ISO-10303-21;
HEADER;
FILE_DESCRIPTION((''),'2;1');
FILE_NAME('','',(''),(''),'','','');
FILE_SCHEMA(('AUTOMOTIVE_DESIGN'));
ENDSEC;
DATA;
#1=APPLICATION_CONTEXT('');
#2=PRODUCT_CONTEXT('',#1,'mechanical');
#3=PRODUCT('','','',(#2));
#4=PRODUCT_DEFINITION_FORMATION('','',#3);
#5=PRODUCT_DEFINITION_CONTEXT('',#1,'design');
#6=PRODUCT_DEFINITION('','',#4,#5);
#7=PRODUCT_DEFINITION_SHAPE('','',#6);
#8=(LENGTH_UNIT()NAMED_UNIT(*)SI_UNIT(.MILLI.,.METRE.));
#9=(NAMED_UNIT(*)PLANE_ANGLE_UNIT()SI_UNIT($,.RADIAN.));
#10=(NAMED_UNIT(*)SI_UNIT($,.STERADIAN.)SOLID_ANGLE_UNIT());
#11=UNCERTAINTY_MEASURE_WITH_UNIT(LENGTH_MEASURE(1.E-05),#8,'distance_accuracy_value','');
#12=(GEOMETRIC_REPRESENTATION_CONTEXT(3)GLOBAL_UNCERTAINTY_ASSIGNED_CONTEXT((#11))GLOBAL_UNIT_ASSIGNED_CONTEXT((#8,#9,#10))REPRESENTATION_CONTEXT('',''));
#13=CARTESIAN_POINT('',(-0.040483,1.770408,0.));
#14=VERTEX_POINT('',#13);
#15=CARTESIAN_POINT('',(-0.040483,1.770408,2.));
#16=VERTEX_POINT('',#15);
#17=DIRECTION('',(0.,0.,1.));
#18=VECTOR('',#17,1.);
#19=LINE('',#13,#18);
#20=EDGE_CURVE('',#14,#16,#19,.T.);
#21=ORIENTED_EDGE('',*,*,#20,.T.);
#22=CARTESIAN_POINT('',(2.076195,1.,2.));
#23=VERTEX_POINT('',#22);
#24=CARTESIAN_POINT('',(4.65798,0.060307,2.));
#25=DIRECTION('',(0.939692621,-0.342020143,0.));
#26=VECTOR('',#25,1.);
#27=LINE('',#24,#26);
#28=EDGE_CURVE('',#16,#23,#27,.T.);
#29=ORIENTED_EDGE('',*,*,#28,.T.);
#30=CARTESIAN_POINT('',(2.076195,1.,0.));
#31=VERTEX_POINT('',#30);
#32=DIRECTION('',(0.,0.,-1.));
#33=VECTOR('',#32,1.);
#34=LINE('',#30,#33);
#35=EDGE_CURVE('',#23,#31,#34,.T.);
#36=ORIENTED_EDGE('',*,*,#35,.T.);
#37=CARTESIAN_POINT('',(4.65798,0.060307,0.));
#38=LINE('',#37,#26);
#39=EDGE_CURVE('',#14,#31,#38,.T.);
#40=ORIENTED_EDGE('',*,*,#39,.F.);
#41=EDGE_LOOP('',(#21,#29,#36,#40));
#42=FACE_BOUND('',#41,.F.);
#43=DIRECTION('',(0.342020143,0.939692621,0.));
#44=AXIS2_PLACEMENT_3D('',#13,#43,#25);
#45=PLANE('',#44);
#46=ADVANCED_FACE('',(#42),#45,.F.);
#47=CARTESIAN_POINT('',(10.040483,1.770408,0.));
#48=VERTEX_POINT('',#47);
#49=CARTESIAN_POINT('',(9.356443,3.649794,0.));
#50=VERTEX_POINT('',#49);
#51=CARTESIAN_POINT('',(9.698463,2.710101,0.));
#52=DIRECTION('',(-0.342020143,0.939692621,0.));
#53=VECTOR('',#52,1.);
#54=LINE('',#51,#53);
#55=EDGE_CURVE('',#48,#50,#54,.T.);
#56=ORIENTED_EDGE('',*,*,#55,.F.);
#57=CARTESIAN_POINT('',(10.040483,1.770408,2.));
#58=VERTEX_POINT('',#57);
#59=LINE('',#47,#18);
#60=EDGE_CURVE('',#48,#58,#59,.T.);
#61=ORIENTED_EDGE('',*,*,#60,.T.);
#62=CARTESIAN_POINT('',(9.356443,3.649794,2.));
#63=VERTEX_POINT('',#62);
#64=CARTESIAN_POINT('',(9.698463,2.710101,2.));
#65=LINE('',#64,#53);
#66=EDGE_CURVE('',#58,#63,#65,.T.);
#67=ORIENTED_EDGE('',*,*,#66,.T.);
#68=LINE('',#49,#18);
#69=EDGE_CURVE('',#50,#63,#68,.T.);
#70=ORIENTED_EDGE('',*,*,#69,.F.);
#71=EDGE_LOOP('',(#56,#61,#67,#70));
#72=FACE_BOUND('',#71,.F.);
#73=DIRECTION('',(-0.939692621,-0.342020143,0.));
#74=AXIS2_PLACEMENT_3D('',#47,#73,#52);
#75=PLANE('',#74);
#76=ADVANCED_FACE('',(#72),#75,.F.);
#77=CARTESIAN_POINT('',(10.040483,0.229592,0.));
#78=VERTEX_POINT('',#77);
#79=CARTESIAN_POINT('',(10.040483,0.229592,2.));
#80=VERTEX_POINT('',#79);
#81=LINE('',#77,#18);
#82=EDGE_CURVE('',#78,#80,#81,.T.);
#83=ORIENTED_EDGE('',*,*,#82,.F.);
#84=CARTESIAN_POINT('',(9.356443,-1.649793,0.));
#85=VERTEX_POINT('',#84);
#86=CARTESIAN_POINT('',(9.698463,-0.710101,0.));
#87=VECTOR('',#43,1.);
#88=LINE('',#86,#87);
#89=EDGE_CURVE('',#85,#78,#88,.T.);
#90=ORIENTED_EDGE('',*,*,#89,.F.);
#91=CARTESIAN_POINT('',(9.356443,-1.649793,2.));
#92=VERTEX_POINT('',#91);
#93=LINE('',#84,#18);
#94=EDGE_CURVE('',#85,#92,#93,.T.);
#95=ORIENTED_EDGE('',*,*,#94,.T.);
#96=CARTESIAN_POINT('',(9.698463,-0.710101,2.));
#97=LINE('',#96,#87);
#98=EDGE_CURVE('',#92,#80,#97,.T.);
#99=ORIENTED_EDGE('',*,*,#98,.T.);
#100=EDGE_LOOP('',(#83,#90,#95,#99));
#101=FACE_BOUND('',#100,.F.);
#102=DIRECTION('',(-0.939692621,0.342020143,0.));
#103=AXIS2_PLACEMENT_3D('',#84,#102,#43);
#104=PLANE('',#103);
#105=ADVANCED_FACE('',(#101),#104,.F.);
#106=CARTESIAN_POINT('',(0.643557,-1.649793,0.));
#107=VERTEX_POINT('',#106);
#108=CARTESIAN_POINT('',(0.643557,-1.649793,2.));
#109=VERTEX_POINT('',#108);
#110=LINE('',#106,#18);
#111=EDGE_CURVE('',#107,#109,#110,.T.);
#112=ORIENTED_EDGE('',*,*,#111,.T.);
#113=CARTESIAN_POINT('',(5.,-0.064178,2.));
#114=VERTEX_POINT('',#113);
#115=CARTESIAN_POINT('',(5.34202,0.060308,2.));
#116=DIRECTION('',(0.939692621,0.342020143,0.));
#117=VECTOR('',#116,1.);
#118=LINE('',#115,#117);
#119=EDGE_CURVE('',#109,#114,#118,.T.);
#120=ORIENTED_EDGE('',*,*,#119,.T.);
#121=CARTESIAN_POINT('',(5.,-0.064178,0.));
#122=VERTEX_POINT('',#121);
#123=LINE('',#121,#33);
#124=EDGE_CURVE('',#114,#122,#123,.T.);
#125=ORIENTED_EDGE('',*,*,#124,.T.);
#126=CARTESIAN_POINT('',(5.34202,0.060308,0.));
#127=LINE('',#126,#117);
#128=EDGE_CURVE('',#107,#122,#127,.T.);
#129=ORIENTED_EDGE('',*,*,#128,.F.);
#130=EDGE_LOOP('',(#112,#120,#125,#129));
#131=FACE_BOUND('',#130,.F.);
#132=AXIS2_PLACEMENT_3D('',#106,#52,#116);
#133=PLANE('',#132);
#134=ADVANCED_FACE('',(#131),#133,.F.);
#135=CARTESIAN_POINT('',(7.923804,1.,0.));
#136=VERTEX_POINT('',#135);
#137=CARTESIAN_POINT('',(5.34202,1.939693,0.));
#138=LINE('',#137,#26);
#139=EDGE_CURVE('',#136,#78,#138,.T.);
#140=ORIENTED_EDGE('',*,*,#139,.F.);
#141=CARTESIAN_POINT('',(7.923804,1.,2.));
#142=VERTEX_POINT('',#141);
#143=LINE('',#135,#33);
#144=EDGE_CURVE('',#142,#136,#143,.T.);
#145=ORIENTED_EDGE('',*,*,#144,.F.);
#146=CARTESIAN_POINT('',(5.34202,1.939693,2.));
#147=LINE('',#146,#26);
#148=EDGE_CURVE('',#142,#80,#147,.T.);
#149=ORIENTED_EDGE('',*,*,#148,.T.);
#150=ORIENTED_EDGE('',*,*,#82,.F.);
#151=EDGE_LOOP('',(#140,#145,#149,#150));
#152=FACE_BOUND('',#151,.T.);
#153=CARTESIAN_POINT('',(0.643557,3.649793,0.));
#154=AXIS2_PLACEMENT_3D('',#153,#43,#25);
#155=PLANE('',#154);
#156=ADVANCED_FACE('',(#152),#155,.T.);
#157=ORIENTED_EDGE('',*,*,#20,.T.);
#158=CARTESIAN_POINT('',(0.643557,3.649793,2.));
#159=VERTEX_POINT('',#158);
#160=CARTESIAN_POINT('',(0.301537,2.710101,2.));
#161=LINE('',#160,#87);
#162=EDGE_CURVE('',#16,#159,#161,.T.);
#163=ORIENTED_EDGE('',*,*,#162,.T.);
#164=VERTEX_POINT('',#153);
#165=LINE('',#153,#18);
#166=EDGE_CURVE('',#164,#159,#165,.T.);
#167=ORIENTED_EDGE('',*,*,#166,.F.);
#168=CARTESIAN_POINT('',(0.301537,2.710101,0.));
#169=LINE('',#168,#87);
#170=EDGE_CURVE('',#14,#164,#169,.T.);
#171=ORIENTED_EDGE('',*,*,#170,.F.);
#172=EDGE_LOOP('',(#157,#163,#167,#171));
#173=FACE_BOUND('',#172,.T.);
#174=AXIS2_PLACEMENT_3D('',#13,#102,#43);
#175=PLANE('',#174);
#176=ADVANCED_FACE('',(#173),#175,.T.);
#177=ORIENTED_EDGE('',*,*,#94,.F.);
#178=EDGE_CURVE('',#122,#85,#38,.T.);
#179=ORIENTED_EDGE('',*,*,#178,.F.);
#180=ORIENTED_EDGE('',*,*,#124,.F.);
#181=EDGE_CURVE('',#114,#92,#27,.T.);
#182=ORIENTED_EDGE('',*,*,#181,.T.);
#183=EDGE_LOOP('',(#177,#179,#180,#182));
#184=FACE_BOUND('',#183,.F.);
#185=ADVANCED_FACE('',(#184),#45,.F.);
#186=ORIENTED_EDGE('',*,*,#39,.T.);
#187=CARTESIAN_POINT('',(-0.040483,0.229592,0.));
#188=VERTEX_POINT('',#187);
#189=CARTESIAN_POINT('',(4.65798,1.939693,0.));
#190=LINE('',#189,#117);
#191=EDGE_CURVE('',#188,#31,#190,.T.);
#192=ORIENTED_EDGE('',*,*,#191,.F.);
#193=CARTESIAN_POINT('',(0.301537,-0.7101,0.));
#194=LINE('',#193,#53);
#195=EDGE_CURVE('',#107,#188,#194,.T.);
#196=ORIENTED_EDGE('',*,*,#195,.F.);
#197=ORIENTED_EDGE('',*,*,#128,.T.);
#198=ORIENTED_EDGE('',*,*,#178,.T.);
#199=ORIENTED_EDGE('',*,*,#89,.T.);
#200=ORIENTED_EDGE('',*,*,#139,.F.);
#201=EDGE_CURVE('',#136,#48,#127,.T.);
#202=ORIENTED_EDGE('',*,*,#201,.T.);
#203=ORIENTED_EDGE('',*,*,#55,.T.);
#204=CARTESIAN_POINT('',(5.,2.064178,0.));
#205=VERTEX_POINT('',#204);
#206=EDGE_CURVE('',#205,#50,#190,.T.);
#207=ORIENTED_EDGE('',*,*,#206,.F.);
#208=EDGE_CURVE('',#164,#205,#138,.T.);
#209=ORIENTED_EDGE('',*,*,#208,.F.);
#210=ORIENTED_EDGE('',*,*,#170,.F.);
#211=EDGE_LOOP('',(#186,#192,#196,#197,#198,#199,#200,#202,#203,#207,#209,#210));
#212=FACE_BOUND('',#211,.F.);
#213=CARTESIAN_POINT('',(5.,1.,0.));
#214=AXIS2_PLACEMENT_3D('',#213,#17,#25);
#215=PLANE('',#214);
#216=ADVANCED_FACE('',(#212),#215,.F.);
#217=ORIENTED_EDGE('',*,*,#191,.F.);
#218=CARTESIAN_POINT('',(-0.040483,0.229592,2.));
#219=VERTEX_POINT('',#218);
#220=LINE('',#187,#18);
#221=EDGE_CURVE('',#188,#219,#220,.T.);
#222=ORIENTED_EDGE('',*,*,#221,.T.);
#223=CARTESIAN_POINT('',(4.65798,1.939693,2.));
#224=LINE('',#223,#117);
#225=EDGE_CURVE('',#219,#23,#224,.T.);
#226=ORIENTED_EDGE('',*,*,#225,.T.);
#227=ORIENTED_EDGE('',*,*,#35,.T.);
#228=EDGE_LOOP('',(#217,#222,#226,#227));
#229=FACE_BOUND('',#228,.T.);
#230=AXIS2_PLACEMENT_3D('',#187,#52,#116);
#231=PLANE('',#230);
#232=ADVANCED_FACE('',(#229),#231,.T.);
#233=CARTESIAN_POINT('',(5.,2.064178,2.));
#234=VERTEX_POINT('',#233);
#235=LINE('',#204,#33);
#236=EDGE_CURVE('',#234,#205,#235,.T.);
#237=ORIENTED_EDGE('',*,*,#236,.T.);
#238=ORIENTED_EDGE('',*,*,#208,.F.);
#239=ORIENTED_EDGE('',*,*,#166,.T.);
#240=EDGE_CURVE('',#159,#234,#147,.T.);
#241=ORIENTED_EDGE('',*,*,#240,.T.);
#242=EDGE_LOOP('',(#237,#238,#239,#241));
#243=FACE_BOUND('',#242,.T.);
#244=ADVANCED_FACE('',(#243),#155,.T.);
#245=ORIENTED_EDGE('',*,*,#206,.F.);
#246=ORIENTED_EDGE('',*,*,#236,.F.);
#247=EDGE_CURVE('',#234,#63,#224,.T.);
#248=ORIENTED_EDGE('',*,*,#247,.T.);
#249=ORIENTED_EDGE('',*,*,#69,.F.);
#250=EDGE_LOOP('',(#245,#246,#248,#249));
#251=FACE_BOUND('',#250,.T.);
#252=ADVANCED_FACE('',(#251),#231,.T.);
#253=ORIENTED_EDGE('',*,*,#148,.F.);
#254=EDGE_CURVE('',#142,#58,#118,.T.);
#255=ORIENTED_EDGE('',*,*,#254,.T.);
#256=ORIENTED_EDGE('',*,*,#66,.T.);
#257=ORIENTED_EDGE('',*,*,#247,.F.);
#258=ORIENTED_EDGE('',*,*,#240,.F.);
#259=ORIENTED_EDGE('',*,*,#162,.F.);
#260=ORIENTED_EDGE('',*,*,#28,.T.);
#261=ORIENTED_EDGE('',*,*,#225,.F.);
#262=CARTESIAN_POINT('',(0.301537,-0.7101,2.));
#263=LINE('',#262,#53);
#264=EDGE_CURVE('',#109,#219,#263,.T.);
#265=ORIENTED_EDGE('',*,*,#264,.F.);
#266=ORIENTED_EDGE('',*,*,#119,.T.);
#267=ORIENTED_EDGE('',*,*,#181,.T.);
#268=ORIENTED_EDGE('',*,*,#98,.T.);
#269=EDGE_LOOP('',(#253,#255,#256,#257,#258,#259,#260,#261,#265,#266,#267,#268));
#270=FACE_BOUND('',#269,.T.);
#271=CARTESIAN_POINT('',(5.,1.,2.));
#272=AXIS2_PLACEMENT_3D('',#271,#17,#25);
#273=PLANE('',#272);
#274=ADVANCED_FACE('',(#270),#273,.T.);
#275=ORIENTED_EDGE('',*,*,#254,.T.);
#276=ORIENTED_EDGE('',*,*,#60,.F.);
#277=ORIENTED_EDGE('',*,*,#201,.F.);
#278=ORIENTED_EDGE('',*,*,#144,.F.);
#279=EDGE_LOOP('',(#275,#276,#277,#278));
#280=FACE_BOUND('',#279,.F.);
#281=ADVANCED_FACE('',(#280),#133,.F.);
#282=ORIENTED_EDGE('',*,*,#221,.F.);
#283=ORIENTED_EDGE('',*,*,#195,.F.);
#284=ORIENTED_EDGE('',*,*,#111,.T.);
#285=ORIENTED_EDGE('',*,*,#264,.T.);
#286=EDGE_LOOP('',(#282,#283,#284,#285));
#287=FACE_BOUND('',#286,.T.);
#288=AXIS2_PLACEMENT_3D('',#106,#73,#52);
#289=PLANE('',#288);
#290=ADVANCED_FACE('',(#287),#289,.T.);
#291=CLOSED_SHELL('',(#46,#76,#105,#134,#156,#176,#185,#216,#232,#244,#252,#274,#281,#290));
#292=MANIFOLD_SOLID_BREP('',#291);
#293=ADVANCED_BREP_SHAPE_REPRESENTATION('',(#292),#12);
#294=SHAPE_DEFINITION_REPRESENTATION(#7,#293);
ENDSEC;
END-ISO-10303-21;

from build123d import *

# Parameters (mm, degrees)
BOX001_W               = 10
BOX001_H               = 2
BOX001_DEPTH           = 2
BOX001_PLACEMENT_ANGLE = 340
BOX_W                  = 10
BOX_H                  = 2
BOX_DEPTH              = 2
BOX_PLACEMENT_ANGLE    = 20


with BuildPart() as cube001:
    # Box001 → Box001 (new body)
    with BuildSketch(Plane.XY):
        with Locations((5, 1)):
            Rectangle(BOX001_W, BOX001_H)
    extrude(amount=BOX001_DEPTH)


with BuildPart() as cube001_1:
    # Box001 placement: moved
    add(cube001.part.moved(Location((-0.040483, 1.770408, 0))).rotate(Axis((-0.040483, 1.770408, 0), (0, 0, 1)), BOX001_PLACEMENT_ANGLE))


with BuildPart() as fusion:
    # Box → Box (new body)
    with BuildSketch(Plane.XY):
        with Locations((5, 1)):
            Rectangle(BOX_W, BOX_H)
    extrude(amount=BOX_DEPTH)


with BuildPart() as fusion_1:
    # Box placement: moved
    add(fusion.part.moved(Location((0.643557, -1.649793, 0))).rotate(Axis((0.643557, -1.649793, 0), (0, 0, 1)), BOX_PLACEMENT_ANGLE))

    # Fusion: union Cube001
    add(cube001_1.part)


solid = fusion_1.part
